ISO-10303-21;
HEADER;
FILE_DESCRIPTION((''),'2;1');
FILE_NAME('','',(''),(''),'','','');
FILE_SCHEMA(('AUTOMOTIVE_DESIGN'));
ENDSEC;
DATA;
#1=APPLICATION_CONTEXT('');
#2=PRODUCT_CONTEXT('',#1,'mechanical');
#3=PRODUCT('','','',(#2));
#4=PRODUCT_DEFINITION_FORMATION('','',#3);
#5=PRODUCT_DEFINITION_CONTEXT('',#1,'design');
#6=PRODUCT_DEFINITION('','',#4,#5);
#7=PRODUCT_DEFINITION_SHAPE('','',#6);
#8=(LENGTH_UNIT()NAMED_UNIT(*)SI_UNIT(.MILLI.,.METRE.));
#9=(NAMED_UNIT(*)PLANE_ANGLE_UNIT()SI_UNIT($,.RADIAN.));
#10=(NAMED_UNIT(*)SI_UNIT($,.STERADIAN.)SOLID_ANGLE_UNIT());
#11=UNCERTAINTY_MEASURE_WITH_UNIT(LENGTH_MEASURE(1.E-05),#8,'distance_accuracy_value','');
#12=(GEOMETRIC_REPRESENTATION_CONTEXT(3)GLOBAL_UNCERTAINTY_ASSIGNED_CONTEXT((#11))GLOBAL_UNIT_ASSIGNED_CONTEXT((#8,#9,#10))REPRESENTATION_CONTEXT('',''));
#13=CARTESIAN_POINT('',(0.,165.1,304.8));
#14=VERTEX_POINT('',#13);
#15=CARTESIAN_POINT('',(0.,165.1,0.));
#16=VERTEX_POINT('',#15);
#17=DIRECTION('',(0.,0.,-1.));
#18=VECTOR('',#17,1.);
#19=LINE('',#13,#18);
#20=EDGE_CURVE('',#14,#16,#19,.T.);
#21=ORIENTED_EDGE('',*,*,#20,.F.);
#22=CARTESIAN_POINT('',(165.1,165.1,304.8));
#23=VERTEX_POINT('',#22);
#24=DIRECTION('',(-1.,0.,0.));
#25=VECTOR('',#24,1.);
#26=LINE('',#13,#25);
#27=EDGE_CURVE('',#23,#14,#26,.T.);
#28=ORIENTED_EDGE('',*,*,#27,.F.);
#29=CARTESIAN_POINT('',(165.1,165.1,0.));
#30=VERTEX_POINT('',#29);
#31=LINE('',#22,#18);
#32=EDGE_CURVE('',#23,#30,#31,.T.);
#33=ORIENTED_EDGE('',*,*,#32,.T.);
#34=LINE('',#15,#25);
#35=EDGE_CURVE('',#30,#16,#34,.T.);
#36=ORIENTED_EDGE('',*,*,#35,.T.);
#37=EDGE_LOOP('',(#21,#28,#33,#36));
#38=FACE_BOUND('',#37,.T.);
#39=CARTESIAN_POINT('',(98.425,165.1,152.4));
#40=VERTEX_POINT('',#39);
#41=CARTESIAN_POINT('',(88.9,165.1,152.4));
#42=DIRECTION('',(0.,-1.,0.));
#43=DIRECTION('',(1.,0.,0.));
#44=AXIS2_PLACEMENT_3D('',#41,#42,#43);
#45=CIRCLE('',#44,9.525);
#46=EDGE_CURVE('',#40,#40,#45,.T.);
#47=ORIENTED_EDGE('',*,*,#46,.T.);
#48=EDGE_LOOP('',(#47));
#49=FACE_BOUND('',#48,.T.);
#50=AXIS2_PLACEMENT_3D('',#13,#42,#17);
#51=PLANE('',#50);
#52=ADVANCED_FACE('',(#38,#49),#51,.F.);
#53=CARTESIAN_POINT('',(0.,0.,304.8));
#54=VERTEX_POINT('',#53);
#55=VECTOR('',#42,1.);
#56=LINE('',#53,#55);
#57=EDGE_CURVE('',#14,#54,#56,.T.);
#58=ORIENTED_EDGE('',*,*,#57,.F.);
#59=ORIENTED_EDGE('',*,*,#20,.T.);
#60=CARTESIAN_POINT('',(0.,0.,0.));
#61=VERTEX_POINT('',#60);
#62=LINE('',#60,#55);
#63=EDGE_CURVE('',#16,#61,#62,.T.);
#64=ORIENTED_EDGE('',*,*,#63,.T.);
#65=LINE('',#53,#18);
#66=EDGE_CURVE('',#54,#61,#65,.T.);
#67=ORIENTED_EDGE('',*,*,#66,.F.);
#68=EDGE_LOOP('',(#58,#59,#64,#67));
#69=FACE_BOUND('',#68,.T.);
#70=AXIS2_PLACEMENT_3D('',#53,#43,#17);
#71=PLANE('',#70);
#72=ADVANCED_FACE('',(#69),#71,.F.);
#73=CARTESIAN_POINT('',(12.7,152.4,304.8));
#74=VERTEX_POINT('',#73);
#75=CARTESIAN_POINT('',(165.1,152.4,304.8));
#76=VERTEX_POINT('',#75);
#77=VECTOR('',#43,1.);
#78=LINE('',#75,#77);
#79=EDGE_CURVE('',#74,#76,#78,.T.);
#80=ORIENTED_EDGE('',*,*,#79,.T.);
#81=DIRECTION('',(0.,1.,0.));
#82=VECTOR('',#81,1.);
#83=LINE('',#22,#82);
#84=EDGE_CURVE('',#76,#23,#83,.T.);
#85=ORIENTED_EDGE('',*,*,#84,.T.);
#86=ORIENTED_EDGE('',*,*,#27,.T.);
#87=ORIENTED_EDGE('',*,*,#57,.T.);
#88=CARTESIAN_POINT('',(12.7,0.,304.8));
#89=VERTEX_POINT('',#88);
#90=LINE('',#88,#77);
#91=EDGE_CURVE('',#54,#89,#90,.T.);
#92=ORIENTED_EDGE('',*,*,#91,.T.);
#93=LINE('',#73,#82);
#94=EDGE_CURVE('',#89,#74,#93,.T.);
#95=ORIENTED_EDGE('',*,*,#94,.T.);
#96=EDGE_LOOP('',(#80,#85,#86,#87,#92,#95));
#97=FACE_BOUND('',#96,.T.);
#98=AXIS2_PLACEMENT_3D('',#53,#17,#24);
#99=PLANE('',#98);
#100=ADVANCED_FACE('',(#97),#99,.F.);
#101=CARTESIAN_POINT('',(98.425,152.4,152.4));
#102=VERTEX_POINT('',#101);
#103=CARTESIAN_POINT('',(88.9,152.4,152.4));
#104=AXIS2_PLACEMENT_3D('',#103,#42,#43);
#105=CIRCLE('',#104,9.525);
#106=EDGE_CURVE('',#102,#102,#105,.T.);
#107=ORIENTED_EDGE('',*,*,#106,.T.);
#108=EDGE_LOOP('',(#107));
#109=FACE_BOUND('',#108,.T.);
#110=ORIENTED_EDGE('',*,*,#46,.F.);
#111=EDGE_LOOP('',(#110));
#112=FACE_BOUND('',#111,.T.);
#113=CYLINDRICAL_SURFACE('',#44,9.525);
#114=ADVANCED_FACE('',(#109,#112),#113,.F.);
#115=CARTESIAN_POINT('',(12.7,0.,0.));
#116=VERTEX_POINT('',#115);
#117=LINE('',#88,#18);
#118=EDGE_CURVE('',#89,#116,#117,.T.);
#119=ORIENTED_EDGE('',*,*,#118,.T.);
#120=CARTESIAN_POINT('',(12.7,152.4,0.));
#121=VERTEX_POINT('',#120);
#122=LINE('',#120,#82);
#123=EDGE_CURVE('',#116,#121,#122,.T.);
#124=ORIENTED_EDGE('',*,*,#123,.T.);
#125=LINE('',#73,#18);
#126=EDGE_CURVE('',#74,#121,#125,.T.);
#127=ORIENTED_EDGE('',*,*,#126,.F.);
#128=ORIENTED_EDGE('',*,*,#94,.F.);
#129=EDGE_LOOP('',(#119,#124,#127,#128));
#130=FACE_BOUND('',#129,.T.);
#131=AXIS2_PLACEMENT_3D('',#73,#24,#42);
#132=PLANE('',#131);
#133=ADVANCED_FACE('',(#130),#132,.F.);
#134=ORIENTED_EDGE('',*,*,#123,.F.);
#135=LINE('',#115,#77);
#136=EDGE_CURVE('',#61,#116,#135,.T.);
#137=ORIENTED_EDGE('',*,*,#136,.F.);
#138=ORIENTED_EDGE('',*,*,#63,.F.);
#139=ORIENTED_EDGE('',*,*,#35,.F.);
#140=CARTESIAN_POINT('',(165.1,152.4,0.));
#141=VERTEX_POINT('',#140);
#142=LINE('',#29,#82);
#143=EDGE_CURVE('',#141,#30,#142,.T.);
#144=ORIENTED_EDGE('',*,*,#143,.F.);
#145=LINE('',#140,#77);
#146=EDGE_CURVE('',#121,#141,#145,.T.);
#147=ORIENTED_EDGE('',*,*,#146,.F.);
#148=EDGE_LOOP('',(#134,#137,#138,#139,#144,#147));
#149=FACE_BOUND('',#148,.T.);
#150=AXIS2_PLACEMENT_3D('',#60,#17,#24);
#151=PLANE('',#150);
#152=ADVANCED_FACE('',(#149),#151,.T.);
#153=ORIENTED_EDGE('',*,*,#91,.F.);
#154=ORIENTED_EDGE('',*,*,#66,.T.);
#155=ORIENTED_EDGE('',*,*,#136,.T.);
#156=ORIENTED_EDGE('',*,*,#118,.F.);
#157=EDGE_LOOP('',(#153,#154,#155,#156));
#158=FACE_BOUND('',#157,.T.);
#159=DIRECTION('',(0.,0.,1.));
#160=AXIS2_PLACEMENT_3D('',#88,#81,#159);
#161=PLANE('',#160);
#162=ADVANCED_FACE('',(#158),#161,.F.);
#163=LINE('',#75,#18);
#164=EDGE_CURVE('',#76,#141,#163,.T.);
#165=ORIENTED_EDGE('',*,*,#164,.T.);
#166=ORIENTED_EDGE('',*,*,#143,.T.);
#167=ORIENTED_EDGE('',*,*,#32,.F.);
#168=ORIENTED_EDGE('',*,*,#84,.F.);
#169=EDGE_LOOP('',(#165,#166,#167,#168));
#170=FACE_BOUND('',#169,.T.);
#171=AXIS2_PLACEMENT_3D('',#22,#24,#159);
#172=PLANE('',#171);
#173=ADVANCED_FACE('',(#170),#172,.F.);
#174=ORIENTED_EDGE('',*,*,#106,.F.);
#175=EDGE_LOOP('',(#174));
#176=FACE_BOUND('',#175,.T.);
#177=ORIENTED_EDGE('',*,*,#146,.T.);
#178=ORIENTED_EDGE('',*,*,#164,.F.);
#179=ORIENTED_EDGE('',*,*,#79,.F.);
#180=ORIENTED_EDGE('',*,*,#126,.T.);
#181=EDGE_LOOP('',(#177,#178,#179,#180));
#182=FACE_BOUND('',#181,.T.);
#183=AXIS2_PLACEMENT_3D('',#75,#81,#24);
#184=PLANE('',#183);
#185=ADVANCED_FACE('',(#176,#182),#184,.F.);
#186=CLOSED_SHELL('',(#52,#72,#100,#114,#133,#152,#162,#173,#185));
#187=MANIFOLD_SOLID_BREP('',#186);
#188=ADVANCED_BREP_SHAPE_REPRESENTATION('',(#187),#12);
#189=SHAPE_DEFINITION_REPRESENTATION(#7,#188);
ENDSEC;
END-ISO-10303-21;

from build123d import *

# Parameters (mm, degrees)
BOSS_EXTRUDE1_DEPTH = 304.8
SKETCH2_R           = 9.525
CUT_EXTRUDE1_DEPTH  = 379.664508503


with BuildPart() as part:
    # Sketch1 → Boss-Extrude1 (new body)
    with BuildSketch(Plane.XY):
        Polygon((0, 0), (0, 165.1), (165.1, 165.1), (165.1, 152.4), (12.7, 152.4), (12.7, 0), align=None)
    extrude(amount=BOSS_EXTRUDE1_DEPTH)

    # Sketch2 → Cut-Extrude1 (cut, through all)
    with BuildSketch(Plane.XZ.offset(-152.4)):
        with Locations((88.9, 152.4)):
            Circle(SKETCH2_R)
    extrude(amount=-CUT_EXTRUDE1_DEPTH, mode=Mode.SUBTRACT)


solid = part.part
